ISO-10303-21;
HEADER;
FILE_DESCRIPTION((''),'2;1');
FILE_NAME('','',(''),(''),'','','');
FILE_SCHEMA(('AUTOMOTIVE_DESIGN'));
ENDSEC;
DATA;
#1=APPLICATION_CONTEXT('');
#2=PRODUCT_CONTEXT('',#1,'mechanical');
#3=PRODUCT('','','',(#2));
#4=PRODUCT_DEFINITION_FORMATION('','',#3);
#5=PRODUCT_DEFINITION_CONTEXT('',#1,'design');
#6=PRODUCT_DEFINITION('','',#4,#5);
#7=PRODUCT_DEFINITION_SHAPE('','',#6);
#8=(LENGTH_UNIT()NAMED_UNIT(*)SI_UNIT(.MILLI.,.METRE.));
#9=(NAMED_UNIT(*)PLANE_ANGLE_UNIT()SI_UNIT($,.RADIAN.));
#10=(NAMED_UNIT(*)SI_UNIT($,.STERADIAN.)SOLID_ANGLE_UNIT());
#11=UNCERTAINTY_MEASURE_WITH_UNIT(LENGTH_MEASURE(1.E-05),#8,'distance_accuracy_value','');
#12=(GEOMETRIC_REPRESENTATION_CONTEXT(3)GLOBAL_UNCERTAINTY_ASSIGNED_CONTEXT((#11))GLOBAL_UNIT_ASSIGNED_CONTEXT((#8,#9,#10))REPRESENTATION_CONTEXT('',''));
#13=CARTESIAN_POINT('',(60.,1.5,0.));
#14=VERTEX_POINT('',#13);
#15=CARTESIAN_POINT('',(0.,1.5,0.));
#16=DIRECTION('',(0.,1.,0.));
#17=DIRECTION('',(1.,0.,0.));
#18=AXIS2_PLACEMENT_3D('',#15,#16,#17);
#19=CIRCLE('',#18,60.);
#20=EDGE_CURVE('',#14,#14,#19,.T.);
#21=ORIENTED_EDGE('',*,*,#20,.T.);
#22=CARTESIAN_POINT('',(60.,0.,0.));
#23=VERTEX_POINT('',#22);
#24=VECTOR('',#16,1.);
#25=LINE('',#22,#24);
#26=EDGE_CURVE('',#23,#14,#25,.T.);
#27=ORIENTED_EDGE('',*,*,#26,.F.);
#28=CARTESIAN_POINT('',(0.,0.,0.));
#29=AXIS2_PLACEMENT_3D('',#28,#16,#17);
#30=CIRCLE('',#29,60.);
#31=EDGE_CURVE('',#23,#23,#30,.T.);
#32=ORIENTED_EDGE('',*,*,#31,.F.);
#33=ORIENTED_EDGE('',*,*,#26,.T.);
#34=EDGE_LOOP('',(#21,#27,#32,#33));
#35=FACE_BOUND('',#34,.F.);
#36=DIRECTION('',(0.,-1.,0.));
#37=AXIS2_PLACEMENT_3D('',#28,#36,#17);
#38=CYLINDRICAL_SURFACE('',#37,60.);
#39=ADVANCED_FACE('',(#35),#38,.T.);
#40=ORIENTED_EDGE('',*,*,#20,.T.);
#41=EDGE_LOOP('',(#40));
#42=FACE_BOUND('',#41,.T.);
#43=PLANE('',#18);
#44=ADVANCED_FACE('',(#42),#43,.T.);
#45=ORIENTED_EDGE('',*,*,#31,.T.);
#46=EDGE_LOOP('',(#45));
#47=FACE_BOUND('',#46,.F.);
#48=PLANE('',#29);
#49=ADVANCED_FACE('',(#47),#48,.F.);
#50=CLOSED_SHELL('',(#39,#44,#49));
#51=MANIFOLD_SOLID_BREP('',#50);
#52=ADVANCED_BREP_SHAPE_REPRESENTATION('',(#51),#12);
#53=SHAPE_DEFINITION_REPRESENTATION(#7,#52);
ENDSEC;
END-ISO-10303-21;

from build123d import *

# Parameters (mm, degrees)
SKETCH1_R           = 60
BOSS_EXTRUDE1_DEPTH = 1.5


with BuildPart() as part:
    # Sketch1 → Boss-Extrude1 (new body)
    with BuildSketch(Plane(origin=(0, 0, 0), x_dir=(1, 0, 0), z_dir=(0, 1, 0))):
        Circle(SKETCH1_R)
    extrude(amount=BOSS_EXTRUDE1_DEPTH)


solid = part.part
